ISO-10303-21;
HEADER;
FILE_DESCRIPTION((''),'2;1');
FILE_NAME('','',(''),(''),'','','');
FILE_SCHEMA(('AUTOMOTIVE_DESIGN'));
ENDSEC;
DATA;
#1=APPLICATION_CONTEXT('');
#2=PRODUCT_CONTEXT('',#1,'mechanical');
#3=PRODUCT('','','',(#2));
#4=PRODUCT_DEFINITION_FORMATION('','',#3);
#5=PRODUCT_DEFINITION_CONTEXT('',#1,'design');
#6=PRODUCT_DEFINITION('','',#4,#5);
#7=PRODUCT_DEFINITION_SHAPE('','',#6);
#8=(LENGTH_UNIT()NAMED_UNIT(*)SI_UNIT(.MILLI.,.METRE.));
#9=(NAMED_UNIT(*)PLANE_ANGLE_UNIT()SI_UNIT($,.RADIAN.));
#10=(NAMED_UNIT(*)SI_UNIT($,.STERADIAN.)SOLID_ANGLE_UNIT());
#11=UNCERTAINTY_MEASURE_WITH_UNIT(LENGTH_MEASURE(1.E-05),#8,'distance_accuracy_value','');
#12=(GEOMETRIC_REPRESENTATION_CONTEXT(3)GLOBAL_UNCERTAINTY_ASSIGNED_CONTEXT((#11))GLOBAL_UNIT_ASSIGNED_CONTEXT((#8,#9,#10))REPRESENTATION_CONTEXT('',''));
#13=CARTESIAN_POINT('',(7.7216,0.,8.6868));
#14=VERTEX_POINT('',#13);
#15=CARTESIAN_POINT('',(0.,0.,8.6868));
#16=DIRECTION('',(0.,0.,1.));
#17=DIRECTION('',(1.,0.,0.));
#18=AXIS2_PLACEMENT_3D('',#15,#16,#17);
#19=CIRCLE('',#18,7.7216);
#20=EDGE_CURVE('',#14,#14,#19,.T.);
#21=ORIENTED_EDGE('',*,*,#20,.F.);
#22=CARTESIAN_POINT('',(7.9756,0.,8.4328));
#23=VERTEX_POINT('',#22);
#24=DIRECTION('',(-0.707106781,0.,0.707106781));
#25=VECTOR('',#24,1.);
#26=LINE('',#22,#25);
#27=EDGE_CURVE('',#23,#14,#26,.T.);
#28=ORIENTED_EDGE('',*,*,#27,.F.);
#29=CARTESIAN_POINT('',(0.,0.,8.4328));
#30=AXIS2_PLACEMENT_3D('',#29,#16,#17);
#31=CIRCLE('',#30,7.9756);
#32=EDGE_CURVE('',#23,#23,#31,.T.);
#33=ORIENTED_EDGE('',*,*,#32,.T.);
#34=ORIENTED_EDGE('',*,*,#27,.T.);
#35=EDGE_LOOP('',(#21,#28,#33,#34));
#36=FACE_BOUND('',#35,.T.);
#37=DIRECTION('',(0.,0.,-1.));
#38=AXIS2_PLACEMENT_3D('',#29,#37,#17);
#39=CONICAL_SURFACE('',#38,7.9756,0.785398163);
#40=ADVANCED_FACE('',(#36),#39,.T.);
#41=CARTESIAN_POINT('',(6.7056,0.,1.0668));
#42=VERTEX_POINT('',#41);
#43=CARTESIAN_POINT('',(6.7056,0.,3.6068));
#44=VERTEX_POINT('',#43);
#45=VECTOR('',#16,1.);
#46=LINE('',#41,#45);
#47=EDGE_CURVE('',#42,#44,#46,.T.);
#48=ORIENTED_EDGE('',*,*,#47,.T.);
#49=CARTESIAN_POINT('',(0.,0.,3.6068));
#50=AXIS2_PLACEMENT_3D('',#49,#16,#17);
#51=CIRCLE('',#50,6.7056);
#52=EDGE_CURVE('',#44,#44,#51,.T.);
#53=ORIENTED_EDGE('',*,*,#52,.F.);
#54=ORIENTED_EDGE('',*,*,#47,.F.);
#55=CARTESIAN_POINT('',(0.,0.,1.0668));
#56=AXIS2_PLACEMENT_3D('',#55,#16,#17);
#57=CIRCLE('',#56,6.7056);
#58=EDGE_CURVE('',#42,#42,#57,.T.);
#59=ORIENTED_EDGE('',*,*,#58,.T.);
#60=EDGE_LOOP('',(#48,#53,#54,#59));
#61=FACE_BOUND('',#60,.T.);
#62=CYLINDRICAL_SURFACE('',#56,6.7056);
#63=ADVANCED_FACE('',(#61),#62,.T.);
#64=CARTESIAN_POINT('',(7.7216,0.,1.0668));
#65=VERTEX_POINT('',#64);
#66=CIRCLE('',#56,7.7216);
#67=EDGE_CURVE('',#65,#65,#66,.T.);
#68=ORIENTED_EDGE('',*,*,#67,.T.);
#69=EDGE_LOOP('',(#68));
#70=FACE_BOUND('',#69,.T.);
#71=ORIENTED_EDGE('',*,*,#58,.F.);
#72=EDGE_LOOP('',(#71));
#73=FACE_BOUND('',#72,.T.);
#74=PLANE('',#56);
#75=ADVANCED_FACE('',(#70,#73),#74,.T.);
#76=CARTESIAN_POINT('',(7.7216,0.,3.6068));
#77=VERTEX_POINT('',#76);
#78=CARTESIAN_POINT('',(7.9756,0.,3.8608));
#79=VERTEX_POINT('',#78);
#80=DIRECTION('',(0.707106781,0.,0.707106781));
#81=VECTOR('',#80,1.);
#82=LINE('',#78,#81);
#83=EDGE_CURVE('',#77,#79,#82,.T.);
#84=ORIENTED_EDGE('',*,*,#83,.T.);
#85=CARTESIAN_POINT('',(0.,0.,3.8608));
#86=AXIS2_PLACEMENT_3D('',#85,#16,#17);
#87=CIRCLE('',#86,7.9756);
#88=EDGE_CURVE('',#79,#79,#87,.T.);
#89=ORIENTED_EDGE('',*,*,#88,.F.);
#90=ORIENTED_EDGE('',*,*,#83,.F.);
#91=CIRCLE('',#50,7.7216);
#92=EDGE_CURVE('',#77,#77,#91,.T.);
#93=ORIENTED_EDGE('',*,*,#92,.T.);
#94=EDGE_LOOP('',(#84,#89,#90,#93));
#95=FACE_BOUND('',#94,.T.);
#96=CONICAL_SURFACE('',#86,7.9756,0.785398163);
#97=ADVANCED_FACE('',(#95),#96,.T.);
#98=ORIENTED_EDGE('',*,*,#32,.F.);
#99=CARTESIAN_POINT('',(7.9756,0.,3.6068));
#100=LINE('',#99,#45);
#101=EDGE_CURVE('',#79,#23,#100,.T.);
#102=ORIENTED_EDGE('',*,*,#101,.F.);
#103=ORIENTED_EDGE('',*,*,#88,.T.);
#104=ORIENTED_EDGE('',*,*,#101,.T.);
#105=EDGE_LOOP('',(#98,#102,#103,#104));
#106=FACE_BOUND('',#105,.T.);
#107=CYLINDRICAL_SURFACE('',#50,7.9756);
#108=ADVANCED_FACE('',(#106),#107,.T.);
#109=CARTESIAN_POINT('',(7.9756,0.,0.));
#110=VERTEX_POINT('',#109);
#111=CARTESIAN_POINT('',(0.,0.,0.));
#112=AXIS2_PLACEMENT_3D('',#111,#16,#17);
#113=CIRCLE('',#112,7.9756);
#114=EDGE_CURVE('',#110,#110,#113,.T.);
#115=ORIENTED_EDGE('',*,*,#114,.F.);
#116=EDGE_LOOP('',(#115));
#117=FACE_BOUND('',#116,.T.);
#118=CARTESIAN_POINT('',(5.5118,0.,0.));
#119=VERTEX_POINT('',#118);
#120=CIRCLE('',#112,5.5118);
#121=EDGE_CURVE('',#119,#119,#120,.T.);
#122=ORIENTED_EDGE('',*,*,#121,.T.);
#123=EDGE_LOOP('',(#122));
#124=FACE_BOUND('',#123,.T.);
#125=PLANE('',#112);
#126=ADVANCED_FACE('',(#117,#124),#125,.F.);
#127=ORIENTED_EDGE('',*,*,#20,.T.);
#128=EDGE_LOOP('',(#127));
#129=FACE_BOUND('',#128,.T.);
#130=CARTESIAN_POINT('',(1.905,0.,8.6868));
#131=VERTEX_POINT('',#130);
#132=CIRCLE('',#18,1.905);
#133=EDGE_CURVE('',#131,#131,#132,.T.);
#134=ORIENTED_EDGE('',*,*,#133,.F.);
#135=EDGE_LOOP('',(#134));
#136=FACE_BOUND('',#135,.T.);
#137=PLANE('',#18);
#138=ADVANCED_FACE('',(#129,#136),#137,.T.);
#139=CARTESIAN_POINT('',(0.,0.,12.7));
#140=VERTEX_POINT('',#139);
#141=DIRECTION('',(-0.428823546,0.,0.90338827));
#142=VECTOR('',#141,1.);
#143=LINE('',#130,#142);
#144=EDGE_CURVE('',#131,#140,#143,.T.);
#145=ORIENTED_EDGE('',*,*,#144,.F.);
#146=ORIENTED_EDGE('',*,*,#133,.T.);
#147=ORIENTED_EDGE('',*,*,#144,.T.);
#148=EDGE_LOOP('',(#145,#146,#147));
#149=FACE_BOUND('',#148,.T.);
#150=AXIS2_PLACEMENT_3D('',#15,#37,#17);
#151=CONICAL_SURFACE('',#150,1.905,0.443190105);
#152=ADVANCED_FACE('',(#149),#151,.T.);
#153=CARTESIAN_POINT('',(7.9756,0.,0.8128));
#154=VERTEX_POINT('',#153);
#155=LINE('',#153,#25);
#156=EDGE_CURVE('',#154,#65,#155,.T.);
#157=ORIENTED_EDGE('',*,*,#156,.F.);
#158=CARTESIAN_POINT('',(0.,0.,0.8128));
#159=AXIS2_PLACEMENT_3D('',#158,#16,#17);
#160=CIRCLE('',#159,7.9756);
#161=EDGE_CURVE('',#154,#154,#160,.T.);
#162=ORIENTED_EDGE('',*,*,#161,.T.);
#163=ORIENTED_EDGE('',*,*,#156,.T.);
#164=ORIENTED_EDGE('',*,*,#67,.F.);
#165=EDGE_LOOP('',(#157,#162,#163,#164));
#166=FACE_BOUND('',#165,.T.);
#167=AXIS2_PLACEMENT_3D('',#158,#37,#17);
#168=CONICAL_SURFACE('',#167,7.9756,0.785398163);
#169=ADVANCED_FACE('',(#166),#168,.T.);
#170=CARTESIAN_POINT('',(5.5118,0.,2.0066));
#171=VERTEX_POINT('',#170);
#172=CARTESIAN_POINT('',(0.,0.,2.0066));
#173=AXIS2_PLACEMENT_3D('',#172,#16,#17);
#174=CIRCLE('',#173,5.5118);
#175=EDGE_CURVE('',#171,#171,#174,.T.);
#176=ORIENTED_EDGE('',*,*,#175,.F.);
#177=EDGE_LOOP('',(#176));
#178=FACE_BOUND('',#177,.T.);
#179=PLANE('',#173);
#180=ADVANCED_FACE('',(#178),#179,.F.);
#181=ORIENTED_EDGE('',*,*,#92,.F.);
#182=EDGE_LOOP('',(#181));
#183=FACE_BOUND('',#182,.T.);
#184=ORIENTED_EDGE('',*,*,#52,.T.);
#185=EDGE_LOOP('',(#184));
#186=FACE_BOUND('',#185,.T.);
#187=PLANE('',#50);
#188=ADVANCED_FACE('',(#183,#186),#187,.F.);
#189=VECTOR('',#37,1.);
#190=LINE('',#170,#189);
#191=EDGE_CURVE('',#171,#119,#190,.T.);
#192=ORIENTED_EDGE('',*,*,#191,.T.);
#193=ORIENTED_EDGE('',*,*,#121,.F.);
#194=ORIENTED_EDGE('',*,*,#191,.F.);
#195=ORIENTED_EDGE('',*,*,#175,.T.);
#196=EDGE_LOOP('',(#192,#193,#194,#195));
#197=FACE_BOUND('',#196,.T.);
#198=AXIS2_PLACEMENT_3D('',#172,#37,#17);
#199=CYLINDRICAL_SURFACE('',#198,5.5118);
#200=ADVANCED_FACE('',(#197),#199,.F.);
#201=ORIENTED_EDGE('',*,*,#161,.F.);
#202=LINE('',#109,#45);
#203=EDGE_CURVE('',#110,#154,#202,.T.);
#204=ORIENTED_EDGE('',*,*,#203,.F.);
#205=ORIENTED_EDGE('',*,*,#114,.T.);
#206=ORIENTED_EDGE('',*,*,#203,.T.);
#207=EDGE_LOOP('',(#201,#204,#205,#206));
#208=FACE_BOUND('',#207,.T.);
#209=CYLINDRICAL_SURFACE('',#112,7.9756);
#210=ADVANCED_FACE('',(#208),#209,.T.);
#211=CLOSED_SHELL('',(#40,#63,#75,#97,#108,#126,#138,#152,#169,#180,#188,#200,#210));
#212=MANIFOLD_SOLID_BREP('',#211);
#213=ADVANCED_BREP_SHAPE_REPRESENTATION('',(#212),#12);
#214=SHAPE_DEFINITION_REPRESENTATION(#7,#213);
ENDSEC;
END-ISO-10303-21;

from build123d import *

# Parameters (mm, degrees)
F2_SIZE = 0.254


with BuildPart() as f1:
    # F0 (on Front) → F1 (revolve)
    with BuildSketch(Plane.XZ):
        Polygon((0, 8.6868), (0, 2.0066), (5.5118, 2.0066), (5.5118, 0), (7.9756, 0), (7.9756, 1.0668), (6.7056, 1.0668), (6.7056, 3.6068), (7.9756, 3.6068), (7.9756, 8.6868), (1.905, 8.6868), (0, 12.7), align=None)
    revolve(axis=Axis((0, 0, 7.3533), (0, 0, 1)))

    # F2
    f2_edges = [f1.edges().sort_by_distance(p)[0] for p in [
        (-7.9756, 0, 8.6868),
        (-7.9756, 0, 3.6068),
        (-7.9756, 0, 1.0668),
    ]]
    chamfer(f2_edges, length=F2_SIZE)


solid = f1.part
